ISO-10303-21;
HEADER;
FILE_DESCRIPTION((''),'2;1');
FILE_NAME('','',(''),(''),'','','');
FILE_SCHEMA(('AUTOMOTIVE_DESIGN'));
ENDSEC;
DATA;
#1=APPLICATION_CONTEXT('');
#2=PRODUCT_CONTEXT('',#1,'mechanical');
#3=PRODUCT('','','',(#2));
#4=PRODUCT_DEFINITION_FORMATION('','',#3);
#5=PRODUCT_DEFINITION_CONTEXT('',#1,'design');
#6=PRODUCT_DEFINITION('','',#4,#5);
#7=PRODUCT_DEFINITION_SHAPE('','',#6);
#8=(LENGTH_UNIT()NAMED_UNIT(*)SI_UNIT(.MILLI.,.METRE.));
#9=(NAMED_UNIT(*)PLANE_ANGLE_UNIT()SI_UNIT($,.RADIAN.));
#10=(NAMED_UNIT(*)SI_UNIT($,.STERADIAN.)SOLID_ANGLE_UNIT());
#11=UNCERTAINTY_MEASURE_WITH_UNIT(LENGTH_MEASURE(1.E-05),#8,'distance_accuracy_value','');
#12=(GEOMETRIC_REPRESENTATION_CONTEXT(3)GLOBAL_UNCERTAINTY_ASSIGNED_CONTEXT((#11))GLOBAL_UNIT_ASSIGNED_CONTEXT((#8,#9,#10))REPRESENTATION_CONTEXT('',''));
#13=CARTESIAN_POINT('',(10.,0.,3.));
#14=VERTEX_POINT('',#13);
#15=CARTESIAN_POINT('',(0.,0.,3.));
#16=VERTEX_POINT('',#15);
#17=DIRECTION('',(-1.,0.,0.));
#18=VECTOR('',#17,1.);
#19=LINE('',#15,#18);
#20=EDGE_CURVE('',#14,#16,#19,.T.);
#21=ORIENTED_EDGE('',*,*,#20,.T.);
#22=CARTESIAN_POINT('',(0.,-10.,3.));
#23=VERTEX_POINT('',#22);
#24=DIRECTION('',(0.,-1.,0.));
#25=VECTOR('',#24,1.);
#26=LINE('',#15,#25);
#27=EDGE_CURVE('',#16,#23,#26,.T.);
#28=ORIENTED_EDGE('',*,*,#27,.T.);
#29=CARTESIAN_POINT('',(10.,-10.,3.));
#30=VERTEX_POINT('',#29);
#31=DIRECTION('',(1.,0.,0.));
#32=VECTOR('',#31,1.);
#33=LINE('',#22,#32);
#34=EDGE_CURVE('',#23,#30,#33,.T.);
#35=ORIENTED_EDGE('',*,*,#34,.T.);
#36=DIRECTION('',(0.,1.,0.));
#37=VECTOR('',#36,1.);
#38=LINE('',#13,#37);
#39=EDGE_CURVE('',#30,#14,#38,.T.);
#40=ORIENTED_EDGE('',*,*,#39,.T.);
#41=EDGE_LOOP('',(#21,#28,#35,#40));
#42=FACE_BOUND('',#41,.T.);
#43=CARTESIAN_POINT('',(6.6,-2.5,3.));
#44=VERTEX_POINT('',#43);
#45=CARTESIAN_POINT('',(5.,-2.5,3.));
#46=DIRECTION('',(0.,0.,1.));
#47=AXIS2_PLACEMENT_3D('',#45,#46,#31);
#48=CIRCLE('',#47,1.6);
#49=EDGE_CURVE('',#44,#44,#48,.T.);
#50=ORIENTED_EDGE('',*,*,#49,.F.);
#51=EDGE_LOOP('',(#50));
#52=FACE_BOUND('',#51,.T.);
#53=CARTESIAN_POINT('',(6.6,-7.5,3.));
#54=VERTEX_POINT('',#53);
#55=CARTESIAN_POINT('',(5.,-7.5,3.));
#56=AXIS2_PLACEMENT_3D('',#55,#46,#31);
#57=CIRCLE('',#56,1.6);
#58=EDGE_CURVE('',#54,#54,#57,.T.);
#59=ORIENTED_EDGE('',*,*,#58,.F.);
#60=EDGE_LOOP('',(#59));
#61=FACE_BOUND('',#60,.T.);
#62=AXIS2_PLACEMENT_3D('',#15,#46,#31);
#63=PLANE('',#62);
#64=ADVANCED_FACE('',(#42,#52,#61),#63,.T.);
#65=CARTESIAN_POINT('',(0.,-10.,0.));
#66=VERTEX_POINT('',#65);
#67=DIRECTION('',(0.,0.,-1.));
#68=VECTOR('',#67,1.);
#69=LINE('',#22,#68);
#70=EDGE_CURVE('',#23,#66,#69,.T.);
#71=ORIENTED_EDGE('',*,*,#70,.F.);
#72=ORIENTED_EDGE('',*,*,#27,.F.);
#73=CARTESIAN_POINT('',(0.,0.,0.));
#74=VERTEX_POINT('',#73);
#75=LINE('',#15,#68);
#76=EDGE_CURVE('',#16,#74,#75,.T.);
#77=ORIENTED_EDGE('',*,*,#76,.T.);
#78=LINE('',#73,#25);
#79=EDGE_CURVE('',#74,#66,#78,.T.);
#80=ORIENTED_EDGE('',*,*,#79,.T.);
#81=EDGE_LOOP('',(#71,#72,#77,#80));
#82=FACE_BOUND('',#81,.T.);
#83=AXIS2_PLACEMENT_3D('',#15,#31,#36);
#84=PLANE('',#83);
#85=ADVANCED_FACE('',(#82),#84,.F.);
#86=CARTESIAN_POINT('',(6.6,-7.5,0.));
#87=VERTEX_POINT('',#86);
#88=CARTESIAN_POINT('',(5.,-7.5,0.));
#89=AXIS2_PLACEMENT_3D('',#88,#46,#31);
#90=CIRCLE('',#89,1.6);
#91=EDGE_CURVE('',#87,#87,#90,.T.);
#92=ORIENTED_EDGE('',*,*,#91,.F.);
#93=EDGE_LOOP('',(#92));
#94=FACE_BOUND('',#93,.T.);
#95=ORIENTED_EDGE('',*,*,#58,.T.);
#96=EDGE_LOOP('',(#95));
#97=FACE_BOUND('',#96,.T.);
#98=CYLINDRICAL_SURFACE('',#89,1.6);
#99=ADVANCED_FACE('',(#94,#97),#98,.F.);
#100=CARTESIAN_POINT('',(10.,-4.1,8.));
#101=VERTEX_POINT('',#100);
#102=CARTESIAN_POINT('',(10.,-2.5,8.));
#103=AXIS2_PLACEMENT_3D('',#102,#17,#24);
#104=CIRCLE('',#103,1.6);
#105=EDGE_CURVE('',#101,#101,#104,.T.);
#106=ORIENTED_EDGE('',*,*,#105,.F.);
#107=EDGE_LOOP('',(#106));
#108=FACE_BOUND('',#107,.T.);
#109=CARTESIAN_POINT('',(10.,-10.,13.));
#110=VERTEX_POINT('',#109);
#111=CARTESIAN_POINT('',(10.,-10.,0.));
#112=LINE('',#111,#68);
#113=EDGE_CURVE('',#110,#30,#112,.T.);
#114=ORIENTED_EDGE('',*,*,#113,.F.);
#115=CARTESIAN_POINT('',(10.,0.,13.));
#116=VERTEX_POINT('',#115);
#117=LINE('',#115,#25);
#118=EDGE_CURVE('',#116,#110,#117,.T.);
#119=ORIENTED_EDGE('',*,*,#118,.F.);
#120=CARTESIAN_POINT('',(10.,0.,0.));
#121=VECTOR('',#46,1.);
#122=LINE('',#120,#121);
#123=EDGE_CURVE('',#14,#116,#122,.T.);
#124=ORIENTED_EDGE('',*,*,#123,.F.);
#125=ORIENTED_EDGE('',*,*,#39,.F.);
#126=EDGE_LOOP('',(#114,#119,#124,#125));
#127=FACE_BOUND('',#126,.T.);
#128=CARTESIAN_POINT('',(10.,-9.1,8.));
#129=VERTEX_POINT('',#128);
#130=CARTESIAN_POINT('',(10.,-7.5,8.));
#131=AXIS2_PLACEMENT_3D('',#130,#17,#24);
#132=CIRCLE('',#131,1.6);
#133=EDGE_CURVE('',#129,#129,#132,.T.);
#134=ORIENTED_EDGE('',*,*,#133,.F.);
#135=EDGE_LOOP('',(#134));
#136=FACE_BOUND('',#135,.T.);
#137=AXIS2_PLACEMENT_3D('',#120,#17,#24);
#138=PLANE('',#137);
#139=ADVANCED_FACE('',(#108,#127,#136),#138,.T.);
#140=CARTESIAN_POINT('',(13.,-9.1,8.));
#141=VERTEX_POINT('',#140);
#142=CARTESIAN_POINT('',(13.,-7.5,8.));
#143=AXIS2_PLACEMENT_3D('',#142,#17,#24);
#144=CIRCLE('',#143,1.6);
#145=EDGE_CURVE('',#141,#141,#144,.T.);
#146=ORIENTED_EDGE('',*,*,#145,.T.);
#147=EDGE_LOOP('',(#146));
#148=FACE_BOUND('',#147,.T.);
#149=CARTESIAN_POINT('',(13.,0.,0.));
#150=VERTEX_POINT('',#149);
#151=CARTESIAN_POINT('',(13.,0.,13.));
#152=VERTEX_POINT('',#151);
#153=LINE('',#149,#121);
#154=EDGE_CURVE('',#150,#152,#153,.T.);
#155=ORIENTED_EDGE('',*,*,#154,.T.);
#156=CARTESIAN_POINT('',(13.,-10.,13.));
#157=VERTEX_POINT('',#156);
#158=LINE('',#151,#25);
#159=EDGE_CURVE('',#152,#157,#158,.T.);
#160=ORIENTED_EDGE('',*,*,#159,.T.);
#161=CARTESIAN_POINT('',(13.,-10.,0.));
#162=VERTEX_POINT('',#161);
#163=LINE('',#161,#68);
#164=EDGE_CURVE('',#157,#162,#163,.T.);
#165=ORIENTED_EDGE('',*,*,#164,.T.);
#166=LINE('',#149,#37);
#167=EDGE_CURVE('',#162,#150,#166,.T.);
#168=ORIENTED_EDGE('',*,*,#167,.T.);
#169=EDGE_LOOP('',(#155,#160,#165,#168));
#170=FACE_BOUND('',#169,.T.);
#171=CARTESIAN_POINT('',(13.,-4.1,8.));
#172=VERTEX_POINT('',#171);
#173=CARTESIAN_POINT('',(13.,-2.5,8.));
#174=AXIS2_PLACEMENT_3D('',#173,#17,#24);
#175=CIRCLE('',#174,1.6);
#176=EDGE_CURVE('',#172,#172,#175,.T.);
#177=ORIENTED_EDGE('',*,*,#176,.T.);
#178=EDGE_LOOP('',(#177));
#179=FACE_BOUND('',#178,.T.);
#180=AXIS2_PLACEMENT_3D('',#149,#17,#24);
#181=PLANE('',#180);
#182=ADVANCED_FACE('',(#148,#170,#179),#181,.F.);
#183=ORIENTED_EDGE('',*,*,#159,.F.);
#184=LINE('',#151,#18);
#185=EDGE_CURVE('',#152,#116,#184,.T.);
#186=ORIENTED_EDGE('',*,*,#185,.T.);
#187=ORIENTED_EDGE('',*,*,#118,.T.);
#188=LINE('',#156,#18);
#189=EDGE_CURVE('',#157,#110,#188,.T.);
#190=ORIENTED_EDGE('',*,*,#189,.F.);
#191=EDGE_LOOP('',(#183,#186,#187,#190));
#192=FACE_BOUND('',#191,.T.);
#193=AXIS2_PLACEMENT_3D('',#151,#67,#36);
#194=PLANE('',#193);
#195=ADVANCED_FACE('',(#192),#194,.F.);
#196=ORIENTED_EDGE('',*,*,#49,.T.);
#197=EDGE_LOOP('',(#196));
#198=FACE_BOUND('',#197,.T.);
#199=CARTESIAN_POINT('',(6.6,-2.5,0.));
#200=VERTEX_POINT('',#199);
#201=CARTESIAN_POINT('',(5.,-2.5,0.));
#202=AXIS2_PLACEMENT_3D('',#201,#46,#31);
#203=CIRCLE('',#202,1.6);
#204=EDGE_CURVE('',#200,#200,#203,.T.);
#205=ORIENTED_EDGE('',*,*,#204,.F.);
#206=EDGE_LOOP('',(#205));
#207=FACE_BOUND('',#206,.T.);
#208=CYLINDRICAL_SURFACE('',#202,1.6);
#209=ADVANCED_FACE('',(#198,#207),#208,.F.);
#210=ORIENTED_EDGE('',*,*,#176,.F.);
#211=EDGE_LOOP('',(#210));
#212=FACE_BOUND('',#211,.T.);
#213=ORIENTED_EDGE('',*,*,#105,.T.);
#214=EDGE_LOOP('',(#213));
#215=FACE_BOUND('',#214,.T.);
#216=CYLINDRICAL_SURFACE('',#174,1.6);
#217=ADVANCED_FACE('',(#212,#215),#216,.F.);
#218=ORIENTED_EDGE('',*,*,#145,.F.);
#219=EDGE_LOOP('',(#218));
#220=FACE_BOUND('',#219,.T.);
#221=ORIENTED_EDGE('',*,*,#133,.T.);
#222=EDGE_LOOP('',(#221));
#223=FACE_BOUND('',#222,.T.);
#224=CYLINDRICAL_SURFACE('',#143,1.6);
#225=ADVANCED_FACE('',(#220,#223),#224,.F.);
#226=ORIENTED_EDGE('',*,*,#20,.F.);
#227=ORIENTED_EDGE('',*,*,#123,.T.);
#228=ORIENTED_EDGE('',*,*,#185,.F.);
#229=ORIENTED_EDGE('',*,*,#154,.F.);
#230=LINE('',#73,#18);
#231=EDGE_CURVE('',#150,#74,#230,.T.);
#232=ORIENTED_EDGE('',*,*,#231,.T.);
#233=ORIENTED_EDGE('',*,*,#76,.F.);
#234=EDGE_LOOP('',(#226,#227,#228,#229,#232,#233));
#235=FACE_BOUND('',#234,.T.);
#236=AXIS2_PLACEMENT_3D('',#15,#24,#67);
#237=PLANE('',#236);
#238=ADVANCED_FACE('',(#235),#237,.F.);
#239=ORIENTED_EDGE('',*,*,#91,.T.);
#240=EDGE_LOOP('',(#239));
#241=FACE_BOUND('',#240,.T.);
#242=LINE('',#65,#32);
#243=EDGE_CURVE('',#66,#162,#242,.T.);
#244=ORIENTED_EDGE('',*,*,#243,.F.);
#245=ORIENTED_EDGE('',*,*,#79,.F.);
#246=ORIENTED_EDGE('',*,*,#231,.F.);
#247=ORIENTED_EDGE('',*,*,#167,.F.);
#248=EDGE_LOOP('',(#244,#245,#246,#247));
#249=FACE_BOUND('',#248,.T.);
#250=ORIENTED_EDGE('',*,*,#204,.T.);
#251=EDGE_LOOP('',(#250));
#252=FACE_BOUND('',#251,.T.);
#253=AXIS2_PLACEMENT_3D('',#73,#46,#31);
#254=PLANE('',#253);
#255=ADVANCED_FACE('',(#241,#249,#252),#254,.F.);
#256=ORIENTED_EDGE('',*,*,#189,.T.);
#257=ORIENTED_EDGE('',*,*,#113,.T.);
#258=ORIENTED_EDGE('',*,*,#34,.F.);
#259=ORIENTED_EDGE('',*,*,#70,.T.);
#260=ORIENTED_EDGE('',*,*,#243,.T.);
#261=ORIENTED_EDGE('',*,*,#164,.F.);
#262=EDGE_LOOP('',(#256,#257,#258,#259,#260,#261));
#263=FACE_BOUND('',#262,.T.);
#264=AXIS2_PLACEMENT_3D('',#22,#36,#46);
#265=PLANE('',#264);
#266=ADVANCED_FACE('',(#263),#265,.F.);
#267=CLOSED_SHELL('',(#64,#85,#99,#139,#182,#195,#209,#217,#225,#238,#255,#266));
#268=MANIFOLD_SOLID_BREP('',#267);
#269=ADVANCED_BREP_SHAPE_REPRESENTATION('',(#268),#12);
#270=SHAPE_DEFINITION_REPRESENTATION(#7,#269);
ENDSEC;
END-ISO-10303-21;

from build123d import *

# Parameters (mm, degrees)
SKETCH1_W           = 10
SKETCH1_H           = 10
BOSS_EXTRUDE1_DEPTH = 3
SKETCH2_W           = 13
SKETCH2_H           = 10
BOSS_EXTRUDE2_DEPTH = 3
SKETCH3_R           = 1.6
CUT_EXTRUDE1_DEPTH  = 4
SKETCH4_R           = 1.6
CUT_EXTRUDE2_DEPTH  = 4


with BuildPart() as part:
    # Sketch1 → Boss-Extrude1 (new body)
    with BuildSketch(Plane.XY):
        with Locations((5, -5)):
            Rectangle(SKETCH1_W, SKETCH1_H)
    extrude(amount=BOSS_EXTRUDE1_DEPTH)

    # Sketch2 → Boss-Extrude2 (add)
    with BuildSketch(Plane(origin=(10, 0, 0), x_dir=(0, 0, -1), z_dir=(1, 0, 0))):
        with Locations((-6.5, -5)):
            Rectangle(SKETCH2_W, SKETCH2_H)
    extrude(amount=BOSS_EXTRUDE2_DEPTH)

    # Sketch3 → Cut-Extrude1 (cut, through all)
    with BuildSketch(Plane.XY.offset(3)):
        with Locations((5, -2.5)):
            Circle(SKETCH3_R)
        with Locations((5, -7.5)):
            Circle(SKETCH3_R)
    extrude(amount=-CUT_EXTRUDE1_DEPTH, mode=Mode.SUBTRACT)

    # Sketch4 → Cut-Extrude2 (cut, through all)
    with BuildSketch(Plane.ZY.offset(-10)):
        with Locations((8, -2.5)):
            Circle(SKETCH4_R)
        with Locations((8, -7.5)):
            Circle(SKETCH4_R)
    extrude(amount=-CUT_EXTRUDE2_DEPTH, mode=Mode.SUBTRACT)


solid = part.part
